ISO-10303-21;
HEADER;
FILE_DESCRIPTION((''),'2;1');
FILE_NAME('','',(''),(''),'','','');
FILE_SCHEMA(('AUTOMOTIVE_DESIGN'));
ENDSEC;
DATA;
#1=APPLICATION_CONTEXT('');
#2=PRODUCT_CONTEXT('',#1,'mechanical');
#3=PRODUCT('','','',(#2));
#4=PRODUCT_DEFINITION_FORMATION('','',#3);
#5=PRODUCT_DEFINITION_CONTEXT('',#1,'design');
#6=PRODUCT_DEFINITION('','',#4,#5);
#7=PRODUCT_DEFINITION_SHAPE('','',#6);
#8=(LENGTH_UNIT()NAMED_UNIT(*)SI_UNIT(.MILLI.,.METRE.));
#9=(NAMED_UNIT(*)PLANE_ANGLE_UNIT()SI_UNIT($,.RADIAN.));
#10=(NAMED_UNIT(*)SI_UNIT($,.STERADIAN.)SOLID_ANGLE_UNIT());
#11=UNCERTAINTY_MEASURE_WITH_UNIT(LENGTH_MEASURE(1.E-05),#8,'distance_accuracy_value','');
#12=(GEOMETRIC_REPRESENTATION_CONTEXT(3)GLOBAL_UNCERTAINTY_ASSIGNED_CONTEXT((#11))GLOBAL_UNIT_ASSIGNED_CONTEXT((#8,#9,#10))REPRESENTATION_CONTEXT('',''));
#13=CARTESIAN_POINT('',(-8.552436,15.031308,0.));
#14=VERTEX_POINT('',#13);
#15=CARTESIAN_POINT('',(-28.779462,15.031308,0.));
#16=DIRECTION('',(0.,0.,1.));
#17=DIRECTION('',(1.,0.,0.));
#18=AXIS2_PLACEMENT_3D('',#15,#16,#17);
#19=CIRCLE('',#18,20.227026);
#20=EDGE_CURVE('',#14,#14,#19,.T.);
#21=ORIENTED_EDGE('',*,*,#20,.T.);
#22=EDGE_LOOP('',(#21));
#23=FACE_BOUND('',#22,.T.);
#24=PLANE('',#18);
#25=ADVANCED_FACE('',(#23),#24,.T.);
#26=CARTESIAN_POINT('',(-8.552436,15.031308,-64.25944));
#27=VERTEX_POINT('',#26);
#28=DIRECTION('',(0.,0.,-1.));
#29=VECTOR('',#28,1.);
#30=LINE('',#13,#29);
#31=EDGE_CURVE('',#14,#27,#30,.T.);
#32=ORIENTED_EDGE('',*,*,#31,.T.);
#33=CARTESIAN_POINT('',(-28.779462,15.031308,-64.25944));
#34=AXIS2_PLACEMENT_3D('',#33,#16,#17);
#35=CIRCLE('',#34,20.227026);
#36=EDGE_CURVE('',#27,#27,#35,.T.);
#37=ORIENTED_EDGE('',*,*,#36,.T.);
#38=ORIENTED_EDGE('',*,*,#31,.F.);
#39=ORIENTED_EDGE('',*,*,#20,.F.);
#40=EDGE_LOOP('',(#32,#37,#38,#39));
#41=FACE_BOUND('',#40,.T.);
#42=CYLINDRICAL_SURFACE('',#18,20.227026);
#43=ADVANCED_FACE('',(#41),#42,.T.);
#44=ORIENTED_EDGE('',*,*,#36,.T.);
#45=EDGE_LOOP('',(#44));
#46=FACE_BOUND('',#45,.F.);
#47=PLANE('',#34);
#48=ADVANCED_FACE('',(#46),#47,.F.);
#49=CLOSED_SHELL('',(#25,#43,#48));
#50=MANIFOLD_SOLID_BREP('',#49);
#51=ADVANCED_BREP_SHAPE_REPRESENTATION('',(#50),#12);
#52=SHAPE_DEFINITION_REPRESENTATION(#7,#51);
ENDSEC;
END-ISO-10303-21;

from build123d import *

# Parameters (mm, degrees)
F0_R     = 20.227026
F1_DEPTH = 64.25944


with BuildPart() as f1:
    # F0 (on Top) → F1 (new body)
    with BuildSketch(Plane.XY):
        with Locations((-28.779462, 15.031308)):
            Circle(F0_R)
    extrude(amount=-F1_DEPTH)


solid = f1.part
